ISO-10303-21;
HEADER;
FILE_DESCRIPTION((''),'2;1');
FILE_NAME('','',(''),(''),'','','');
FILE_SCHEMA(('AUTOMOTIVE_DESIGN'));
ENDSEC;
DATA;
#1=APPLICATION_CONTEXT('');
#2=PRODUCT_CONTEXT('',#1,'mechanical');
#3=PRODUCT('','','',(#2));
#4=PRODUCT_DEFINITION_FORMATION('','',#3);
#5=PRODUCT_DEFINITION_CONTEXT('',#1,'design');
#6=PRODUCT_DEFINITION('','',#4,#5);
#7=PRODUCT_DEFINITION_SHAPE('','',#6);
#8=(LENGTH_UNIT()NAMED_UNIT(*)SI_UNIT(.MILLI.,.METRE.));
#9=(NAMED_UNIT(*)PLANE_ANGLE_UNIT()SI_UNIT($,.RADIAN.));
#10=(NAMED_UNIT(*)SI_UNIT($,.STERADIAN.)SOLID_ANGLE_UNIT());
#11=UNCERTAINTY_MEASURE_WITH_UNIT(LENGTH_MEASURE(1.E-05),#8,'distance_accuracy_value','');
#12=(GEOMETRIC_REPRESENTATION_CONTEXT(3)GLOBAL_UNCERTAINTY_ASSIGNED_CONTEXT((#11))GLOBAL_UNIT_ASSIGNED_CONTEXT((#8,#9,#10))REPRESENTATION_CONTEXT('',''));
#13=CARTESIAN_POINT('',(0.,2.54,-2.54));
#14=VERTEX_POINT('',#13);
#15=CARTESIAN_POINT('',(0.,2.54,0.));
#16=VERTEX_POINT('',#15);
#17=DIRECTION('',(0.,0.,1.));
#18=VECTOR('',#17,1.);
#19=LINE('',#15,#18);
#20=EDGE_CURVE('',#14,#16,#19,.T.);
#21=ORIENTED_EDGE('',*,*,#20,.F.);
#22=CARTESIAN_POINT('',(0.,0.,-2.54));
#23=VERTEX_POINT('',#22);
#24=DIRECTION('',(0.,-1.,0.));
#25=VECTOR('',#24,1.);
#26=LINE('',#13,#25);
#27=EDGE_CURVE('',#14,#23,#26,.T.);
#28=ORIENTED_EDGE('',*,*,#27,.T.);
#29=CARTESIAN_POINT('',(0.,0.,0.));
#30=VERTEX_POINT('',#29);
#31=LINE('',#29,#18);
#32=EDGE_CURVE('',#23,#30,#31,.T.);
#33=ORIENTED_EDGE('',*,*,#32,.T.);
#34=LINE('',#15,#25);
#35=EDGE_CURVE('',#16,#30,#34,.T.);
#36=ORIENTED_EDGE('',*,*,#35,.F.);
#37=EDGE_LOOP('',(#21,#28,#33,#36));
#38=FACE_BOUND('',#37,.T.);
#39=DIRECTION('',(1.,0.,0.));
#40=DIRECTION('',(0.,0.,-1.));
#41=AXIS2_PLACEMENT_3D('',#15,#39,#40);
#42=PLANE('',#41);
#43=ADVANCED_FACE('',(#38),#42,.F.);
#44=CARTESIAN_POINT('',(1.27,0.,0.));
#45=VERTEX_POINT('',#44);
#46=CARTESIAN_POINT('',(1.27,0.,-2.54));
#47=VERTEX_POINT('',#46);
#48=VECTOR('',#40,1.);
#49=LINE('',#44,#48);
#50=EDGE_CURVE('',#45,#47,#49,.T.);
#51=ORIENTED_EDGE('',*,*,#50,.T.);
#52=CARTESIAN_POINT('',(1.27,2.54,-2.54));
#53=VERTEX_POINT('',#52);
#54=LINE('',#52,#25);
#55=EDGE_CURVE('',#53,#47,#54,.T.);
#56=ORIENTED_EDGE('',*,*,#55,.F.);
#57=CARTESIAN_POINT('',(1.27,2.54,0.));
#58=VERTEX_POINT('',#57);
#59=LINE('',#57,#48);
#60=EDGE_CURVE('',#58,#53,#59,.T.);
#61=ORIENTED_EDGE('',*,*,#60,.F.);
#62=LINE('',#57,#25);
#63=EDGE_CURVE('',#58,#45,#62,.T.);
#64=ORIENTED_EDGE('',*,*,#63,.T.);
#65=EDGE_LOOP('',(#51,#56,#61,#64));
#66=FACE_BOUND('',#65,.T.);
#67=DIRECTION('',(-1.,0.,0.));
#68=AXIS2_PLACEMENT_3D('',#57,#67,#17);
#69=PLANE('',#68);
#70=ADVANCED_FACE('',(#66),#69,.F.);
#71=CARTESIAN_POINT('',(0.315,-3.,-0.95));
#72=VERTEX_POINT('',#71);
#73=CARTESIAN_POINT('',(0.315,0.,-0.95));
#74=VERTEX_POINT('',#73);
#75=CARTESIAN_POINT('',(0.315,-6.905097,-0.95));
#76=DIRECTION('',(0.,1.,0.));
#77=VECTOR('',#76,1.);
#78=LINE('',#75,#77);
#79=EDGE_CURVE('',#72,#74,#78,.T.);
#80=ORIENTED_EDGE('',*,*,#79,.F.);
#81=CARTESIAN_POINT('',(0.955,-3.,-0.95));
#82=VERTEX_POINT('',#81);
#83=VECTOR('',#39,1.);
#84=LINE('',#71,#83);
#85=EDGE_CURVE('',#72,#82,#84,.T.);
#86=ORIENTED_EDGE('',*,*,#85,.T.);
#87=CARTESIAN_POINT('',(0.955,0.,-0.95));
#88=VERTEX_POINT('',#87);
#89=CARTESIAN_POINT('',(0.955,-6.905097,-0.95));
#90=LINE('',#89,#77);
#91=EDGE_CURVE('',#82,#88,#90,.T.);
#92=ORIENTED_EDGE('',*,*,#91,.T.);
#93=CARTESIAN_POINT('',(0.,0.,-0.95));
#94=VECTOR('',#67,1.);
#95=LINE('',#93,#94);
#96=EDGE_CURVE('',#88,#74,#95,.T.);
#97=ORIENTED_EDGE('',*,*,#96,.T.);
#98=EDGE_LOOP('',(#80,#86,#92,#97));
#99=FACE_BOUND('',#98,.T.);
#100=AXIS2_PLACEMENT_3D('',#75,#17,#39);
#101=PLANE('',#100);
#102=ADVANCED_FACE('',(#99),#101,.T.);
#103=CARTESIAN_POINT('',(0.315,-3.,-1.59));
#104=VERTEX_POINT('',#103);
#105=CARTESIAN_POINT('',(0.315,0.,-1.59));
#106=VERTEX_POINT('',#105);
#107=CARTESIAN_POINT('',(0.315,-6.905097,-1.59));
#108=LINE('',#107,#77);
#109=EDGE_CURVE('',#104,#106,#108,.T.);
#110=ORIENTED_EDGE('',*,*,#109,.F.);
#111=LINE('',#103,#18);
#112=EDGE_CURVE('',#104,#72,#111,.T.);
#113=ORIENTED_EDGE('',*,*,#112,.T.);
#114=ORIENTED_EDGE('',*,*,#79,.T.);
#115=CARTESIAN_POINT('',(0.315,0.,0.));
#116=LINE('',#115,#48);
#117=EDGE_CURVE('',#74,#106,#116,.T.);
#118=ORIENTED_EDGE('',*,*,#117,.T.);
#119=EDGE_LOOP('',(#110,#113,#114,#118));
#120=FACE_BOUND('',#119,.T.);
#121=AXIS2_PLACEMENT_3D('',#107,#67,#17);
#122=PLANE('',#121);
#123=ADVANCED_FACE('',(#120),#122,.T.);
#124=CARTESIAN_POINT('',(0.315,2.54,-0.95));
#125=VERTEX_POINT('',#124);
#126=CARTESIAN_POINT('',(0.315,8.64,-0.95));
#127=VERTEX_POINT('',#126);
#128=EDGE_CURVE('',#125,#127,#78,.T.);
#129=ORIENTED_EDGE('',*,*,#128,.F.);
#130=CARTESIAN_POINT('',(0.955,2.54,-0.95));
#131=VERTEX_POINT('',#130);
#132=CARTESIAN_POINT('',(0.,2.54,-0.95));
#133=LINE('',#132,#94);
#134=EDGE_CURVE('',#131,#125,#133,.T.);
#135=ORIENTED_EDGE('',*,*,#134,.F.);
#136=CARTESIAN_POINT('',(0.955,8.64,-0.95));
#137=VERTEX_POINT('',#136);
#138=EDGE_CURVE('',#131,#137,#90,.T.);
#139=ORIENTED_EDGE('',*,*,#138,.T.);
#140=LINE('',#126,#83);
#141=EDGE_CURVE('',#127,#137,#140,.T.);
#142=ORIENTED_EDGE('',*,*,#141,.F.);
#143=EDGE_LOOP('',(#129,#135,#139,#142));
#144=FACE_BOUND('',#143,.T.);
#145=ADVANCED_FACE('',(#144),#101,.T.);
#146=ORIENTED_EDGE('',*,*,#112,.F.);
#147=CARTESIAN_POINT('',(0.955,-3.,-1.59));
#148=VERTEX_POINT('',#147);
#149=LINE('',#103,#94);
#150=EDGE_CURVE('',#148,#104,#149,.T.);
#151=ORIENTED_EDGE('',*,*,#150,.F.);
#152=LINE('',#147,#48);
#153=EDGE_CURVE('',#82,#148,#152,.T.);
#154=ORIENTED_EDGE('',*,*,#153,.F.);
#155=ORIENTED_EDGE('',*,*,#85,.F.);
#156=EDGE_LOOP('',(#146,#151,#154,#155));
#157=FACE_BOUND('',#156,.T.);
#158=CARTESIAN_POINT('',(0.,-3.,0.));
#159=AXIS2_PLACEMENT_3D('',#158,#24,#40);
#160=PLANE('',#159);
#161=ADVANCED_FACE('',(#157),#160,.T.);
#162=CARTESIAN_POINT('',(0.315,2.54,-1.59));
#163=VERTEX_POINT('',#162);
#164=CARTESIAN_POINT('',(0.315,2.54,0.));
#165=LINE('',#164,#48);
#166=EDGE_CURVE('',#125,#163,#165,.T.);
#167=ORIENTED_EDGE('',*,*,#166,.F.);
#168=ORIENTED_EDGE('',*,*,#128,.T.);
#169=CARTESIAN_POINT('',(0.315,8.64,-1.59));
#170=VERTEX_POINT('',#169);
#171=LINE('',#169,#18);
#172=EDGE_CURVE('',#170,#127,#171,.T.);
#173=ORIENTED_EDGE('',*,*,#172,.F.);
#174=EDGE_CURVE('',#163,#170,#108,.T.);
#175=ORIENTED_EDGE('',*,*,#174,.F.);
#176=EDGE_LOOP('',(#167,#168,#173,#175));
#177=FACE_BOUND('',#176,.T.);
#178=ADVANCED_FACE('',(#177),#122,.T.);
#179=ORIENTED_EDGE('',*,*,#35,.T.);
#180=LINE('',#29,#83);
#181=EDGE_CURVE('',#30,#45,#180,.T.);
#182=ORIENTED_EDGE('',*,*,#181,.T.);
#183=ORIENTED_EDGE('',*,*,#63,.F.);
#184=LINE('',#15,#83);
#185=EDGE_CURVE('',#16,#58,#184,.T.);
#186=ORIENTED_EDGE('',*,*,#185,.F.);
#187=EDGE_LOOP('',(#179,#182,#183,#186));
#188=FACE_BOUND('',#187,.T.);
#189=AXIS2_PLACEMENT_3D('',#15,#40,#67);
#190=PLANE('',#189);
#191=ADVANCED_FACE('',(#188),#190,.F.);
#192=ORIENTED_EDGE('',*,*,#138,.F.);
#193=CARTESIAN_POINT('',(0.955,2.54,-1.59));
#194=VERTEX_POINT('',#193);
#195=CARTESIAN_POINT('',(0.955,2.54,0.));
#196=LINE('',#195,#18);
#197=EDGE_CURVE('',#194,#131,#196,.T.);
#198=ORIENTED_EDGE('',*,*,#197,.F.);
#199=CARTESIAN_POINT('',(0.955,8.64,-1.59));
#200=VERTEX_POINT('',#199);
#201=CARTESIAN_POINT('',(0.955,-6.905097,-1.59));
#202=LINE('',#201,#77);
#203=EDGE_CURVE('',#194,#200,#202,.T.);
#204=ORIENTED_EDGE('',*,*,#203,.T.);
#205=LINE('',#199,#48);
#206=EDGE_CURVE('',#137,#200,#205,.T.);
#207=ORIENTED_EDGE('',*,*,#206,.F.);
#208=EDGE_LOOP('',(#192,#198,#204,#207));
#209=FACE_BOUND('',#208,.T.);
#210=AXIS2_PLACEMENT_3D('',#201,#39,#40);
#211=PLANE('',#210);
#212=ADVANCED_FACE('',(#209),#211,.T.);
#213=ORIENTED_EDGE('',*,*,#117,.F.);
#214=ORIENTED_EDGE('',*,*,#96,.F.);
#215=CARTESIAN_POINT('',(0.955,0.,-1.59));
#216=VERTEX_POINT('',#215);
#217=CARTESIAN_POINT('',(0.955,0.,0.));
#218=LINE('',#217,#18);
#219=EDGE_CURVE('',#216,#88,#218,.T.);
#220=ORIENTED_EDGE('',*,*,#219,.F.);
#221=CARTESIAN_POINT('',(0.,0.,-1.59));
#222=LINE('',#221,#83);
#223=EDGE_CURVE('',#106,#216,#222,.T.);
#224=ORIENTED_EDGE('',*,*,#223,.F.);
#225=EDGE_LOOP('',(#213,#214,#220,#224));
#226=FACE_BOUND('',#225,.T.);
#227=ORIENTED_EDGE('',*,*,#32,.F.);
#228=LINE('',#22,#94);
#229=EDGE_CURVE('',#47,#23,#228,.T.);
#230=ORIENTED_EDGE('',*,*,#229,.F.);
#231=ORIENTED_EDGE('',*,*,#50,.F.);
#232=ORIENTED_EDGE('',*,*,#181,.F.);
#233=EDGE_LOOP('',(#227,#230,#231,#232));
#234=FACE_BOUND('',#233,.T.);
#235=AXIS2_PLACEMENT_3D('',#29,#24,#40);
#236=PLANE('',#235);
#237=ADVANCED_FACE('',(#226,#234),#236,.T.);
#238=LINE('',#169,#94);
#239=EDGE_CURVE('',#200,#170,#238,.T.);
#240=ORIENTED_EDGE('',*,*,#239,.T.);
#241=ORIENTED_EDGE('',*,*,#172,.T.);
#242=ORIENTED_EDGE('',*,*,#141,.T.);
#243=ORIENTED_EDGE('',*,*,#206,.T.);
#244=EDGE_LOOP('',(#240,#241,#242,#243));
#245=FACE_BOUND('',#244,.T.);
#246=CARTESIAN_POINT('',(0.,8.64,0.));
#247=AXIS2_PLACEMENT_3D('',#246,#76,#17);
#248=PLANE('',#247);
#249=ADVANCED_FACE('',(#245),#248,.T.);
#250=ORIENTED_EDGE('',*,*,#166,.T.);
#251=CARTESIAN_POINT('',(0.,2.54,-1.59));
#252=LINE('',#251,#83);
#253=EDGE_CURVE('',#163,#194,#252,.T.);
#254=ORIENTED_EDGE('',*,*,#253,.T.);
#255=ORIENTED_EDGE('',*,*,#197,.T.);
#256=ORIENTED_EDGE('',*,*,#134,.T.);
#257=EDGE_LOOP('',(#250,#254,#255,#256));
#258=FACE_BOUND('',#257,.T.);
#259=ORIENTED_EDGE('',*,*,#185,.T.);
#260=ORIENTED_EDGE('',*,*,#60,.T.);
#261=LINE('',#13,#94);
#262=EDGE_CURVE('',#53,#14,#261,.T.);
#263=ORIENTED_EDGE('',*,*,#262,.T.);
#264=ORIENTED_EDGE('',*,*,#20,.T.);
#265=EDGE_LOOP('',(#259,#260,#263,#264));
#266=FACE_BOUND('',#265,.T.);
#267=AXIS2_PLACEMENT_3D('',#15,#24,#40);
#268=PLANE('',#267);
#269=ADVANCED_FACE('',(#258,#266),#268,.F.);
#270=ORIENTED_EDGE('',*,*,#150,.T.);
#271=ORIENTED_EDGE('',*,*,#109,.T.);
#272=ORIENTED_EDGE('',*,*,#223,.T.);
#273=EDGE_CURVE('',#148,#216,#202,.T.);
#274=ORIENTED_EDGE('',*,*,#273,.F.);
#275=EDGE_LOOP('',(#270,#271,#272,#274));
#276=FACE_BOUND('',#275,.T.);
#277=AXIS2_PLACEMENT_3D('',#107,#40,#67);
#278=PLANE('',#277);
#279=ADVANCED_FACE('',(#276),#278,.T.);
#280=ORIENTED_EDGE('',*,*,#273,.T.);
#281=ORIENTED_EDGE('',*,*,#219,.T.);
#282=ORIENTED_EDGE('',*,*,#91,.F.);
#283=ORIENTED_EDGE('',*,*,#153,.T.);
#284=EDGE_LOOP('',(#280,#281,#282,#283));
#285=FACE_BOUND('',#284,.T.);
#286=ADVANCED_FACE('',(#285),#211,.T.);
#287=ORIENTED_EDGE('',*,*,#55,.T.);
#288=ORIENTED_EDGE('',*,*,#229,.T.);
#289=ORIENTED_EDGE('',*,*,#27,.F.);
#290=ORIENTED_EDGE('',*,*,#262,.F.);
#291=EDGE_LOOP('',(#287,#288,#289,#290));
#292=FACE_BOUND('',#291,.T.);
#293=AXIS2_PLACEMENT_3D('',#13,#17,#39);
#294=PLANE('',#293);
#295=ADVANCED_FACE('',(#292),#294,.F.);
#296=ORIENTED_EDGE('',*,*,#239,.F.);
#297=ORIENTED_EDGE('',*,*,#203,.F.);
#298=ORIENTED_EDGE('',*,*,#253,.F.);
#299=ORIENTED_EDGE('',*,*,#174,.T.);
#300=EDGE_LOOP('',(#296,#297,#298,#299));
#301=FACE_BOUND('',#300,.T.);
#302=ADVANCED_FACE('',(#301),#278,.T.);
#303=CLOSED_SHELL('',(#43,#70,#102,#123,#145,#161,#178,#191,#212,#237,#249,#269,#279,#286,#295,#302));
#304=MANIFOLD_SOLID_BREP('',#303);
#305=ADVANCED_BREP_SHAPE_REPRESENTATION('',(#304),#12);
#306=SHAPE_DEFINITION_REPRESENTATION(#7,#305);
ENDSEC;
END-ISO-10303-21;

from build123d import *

# Parameters (mm, degrees)
SKETCH1_W                = 1.27
SKETCH1_H                = 2.54
BOSS_EXTRUDE1_DEPTH      = 2.54
SKETCH2_W                = 0.64
SKETCH2_H                = 0.64
BOSS_EXTRUDE2_DEPTH      = 6.1
BOSS_EXTRUDE2_DEPTH_BACK = 5.54


with BuildPart() as part:
    # Sketch1 → Boss-Extrude1 (new body)
    with BuildSketch(Plane(origin=(0, 0, 0), x_dir=(1, 0, 0), z_dir=(0, 1, 0))):
        with Locations((0.635, 1.27)):
            Rectangle(SKETCH1_W, SKETCH1_H)
    extrude(amount=BOSS_EXTRUDE1_DEPTH)

    # Sketch2 → Boss-Extrude2 (add, two sides)
    with BuildSketch(Plane(origin=(0, 2.54, 0), x_dir=(1, 0, 0), z_dir=(0, 1, 0))) as boss_extrude2_sk:
        with Locations((0.635, 1.27)):
            Rectangle(SKETCH2_W, SKETCH2_H)
    extrude(amount=BOSS_EXTRUDE2_DEPTH)
    extrude(boss_extrude2_sk.sketch, amount=-BOSS_EXTRUDE2_DEPTH_BACK)


solid = part.part
